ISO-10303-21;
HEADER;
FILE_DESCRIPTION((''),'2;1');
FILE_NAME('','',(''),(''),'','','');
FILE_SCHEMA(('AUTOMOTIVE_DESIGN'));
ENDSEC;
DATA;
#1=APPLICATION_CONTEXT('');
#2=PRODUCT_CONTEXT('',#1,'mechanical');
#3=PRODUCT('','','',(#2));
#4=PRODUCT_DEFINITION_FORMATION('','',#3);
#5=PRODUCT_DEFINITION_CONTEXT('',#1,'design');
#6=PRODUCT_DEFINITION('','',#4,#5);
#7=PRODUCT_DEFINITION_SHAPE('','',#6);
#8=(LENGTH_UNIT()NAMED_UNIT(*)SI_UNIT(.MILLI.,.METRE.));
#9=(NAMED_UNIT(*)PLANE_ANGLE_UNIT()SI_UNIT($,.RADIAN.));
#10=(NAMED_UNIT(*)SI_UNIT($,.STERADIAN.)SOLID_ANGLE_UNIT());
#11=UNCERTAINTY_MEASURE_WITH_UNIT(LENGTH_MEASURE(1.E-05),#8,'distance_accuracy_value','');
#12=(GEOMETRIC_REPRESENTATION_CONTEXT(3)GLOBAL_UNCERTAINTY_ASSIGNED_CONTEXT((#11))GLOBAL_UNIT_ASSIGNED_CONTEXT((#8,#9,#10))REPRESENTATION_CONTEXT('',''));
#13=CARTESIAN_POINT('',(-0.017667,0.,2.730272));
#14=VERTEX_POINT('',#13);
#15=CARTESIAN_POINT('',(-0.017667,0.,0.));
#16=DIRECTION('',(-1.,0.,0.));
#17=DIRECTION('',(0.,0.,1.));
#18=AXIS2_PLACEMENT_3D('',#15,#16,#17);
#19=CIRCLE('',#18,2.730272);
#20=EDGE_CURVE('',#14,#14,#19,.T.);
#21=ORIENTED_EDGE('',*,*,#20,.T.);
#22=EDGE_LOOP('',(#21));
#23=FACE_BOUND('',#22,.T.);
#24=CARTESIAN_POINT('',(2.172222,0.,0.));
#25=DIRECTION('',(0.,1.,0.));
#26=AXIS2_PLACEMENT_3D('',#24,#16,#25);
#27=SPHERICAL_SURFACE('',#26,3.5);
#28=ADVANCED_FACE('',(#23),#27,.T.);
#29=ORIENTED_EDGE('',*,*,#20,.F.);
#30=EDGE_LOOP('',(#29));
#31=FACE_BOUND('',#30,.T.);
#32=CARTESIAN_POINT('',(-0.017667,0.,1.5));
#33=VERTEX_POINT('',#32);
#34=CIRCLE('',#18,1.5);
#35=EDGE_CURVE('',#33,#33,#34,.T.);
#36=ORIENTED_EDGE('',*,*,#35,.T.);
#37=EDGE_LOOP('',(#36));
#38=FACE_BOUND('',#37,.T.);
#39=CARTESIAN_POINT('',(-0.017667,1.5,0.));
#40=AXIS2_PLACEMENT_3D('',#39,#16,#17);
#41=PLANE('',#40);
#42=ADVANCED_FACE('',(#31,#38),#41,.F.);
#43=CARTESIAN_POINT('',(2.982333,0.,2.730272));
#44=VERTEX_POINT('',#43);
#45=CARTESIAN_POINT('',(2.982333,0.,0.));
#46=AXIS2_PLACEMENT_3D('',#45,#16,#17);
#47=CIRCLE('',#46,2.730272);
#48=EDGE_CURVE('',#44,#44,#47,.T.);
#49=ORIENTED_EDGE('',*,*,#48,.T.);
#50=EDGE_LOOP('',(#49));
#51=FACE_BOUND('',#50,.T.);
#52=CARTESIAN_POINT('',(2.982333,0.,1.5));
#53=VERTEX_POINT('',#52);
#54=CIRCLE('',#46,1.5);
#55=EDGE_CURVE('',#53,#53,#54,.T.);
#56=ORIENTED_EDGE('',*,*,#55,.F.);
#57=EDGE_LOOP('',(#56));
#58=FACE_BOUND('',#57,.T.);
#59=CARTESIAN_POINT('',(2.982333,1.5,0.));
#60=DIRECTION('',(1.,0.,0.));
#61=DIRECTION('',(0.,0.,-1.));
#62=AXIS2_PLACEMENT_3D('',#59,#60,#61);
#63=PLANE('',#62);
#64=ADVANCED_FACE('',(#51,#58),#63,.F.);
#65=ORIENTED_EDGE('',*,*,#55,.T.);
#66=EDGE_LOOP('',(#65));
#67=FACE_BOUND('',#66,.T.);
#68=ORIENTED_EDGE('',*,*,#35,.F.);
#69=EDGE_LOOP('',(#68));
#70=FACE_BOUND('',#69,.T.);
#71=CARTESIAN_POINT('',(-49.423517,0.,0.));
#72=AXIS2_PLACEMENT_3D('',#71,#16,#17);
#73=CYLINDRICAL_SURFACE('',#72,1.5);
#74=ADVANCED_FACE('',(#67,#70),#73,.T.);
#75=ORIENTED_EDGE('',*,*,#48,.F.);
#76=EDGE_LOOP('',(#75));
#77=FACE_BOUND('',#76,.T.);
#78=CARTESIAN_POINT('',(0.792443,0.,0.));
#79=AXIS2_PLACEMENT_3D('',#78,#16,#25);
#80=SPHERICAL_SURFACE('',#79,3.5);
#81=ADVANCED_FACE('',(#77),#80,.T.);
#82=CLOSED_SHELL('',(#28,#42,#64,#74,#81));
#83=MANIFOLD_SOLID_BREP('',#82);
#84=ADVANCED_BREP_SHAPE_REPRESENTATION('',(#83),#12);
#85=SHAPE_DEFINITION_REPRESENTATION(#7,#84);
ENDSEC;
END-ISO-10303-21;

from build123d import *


with BuildPart() as part:
    # Эскиз1 → Повернуть1 (revolve)
    with BuildSketch(Plane.XY):
        with BuildLine():
            Line((-0.017667155, 1.5), (-0.017667155, 2.730271717))
            ThreePointArc((-0.017667155, 2.730271717), (-0.983297624, 1.514164206), (-1.327777579, 0))
            Line((-1.327777579, 0), (4.29244327, 0))
            ThreePointArc((4.29244327, 0), (3.947963315, 1.514164206), (2.982332845, 2.730271717))
            Line((2.982332845, 2.730271717), (2.982332845, 1.5))
            Line((2.982332845, 1.5), (-0.017667155, 1.5))
        make_face()
    revolve(axis=Axis((-49.423517382, 0, 0), (1, 0, 0)))


solid = part.part
